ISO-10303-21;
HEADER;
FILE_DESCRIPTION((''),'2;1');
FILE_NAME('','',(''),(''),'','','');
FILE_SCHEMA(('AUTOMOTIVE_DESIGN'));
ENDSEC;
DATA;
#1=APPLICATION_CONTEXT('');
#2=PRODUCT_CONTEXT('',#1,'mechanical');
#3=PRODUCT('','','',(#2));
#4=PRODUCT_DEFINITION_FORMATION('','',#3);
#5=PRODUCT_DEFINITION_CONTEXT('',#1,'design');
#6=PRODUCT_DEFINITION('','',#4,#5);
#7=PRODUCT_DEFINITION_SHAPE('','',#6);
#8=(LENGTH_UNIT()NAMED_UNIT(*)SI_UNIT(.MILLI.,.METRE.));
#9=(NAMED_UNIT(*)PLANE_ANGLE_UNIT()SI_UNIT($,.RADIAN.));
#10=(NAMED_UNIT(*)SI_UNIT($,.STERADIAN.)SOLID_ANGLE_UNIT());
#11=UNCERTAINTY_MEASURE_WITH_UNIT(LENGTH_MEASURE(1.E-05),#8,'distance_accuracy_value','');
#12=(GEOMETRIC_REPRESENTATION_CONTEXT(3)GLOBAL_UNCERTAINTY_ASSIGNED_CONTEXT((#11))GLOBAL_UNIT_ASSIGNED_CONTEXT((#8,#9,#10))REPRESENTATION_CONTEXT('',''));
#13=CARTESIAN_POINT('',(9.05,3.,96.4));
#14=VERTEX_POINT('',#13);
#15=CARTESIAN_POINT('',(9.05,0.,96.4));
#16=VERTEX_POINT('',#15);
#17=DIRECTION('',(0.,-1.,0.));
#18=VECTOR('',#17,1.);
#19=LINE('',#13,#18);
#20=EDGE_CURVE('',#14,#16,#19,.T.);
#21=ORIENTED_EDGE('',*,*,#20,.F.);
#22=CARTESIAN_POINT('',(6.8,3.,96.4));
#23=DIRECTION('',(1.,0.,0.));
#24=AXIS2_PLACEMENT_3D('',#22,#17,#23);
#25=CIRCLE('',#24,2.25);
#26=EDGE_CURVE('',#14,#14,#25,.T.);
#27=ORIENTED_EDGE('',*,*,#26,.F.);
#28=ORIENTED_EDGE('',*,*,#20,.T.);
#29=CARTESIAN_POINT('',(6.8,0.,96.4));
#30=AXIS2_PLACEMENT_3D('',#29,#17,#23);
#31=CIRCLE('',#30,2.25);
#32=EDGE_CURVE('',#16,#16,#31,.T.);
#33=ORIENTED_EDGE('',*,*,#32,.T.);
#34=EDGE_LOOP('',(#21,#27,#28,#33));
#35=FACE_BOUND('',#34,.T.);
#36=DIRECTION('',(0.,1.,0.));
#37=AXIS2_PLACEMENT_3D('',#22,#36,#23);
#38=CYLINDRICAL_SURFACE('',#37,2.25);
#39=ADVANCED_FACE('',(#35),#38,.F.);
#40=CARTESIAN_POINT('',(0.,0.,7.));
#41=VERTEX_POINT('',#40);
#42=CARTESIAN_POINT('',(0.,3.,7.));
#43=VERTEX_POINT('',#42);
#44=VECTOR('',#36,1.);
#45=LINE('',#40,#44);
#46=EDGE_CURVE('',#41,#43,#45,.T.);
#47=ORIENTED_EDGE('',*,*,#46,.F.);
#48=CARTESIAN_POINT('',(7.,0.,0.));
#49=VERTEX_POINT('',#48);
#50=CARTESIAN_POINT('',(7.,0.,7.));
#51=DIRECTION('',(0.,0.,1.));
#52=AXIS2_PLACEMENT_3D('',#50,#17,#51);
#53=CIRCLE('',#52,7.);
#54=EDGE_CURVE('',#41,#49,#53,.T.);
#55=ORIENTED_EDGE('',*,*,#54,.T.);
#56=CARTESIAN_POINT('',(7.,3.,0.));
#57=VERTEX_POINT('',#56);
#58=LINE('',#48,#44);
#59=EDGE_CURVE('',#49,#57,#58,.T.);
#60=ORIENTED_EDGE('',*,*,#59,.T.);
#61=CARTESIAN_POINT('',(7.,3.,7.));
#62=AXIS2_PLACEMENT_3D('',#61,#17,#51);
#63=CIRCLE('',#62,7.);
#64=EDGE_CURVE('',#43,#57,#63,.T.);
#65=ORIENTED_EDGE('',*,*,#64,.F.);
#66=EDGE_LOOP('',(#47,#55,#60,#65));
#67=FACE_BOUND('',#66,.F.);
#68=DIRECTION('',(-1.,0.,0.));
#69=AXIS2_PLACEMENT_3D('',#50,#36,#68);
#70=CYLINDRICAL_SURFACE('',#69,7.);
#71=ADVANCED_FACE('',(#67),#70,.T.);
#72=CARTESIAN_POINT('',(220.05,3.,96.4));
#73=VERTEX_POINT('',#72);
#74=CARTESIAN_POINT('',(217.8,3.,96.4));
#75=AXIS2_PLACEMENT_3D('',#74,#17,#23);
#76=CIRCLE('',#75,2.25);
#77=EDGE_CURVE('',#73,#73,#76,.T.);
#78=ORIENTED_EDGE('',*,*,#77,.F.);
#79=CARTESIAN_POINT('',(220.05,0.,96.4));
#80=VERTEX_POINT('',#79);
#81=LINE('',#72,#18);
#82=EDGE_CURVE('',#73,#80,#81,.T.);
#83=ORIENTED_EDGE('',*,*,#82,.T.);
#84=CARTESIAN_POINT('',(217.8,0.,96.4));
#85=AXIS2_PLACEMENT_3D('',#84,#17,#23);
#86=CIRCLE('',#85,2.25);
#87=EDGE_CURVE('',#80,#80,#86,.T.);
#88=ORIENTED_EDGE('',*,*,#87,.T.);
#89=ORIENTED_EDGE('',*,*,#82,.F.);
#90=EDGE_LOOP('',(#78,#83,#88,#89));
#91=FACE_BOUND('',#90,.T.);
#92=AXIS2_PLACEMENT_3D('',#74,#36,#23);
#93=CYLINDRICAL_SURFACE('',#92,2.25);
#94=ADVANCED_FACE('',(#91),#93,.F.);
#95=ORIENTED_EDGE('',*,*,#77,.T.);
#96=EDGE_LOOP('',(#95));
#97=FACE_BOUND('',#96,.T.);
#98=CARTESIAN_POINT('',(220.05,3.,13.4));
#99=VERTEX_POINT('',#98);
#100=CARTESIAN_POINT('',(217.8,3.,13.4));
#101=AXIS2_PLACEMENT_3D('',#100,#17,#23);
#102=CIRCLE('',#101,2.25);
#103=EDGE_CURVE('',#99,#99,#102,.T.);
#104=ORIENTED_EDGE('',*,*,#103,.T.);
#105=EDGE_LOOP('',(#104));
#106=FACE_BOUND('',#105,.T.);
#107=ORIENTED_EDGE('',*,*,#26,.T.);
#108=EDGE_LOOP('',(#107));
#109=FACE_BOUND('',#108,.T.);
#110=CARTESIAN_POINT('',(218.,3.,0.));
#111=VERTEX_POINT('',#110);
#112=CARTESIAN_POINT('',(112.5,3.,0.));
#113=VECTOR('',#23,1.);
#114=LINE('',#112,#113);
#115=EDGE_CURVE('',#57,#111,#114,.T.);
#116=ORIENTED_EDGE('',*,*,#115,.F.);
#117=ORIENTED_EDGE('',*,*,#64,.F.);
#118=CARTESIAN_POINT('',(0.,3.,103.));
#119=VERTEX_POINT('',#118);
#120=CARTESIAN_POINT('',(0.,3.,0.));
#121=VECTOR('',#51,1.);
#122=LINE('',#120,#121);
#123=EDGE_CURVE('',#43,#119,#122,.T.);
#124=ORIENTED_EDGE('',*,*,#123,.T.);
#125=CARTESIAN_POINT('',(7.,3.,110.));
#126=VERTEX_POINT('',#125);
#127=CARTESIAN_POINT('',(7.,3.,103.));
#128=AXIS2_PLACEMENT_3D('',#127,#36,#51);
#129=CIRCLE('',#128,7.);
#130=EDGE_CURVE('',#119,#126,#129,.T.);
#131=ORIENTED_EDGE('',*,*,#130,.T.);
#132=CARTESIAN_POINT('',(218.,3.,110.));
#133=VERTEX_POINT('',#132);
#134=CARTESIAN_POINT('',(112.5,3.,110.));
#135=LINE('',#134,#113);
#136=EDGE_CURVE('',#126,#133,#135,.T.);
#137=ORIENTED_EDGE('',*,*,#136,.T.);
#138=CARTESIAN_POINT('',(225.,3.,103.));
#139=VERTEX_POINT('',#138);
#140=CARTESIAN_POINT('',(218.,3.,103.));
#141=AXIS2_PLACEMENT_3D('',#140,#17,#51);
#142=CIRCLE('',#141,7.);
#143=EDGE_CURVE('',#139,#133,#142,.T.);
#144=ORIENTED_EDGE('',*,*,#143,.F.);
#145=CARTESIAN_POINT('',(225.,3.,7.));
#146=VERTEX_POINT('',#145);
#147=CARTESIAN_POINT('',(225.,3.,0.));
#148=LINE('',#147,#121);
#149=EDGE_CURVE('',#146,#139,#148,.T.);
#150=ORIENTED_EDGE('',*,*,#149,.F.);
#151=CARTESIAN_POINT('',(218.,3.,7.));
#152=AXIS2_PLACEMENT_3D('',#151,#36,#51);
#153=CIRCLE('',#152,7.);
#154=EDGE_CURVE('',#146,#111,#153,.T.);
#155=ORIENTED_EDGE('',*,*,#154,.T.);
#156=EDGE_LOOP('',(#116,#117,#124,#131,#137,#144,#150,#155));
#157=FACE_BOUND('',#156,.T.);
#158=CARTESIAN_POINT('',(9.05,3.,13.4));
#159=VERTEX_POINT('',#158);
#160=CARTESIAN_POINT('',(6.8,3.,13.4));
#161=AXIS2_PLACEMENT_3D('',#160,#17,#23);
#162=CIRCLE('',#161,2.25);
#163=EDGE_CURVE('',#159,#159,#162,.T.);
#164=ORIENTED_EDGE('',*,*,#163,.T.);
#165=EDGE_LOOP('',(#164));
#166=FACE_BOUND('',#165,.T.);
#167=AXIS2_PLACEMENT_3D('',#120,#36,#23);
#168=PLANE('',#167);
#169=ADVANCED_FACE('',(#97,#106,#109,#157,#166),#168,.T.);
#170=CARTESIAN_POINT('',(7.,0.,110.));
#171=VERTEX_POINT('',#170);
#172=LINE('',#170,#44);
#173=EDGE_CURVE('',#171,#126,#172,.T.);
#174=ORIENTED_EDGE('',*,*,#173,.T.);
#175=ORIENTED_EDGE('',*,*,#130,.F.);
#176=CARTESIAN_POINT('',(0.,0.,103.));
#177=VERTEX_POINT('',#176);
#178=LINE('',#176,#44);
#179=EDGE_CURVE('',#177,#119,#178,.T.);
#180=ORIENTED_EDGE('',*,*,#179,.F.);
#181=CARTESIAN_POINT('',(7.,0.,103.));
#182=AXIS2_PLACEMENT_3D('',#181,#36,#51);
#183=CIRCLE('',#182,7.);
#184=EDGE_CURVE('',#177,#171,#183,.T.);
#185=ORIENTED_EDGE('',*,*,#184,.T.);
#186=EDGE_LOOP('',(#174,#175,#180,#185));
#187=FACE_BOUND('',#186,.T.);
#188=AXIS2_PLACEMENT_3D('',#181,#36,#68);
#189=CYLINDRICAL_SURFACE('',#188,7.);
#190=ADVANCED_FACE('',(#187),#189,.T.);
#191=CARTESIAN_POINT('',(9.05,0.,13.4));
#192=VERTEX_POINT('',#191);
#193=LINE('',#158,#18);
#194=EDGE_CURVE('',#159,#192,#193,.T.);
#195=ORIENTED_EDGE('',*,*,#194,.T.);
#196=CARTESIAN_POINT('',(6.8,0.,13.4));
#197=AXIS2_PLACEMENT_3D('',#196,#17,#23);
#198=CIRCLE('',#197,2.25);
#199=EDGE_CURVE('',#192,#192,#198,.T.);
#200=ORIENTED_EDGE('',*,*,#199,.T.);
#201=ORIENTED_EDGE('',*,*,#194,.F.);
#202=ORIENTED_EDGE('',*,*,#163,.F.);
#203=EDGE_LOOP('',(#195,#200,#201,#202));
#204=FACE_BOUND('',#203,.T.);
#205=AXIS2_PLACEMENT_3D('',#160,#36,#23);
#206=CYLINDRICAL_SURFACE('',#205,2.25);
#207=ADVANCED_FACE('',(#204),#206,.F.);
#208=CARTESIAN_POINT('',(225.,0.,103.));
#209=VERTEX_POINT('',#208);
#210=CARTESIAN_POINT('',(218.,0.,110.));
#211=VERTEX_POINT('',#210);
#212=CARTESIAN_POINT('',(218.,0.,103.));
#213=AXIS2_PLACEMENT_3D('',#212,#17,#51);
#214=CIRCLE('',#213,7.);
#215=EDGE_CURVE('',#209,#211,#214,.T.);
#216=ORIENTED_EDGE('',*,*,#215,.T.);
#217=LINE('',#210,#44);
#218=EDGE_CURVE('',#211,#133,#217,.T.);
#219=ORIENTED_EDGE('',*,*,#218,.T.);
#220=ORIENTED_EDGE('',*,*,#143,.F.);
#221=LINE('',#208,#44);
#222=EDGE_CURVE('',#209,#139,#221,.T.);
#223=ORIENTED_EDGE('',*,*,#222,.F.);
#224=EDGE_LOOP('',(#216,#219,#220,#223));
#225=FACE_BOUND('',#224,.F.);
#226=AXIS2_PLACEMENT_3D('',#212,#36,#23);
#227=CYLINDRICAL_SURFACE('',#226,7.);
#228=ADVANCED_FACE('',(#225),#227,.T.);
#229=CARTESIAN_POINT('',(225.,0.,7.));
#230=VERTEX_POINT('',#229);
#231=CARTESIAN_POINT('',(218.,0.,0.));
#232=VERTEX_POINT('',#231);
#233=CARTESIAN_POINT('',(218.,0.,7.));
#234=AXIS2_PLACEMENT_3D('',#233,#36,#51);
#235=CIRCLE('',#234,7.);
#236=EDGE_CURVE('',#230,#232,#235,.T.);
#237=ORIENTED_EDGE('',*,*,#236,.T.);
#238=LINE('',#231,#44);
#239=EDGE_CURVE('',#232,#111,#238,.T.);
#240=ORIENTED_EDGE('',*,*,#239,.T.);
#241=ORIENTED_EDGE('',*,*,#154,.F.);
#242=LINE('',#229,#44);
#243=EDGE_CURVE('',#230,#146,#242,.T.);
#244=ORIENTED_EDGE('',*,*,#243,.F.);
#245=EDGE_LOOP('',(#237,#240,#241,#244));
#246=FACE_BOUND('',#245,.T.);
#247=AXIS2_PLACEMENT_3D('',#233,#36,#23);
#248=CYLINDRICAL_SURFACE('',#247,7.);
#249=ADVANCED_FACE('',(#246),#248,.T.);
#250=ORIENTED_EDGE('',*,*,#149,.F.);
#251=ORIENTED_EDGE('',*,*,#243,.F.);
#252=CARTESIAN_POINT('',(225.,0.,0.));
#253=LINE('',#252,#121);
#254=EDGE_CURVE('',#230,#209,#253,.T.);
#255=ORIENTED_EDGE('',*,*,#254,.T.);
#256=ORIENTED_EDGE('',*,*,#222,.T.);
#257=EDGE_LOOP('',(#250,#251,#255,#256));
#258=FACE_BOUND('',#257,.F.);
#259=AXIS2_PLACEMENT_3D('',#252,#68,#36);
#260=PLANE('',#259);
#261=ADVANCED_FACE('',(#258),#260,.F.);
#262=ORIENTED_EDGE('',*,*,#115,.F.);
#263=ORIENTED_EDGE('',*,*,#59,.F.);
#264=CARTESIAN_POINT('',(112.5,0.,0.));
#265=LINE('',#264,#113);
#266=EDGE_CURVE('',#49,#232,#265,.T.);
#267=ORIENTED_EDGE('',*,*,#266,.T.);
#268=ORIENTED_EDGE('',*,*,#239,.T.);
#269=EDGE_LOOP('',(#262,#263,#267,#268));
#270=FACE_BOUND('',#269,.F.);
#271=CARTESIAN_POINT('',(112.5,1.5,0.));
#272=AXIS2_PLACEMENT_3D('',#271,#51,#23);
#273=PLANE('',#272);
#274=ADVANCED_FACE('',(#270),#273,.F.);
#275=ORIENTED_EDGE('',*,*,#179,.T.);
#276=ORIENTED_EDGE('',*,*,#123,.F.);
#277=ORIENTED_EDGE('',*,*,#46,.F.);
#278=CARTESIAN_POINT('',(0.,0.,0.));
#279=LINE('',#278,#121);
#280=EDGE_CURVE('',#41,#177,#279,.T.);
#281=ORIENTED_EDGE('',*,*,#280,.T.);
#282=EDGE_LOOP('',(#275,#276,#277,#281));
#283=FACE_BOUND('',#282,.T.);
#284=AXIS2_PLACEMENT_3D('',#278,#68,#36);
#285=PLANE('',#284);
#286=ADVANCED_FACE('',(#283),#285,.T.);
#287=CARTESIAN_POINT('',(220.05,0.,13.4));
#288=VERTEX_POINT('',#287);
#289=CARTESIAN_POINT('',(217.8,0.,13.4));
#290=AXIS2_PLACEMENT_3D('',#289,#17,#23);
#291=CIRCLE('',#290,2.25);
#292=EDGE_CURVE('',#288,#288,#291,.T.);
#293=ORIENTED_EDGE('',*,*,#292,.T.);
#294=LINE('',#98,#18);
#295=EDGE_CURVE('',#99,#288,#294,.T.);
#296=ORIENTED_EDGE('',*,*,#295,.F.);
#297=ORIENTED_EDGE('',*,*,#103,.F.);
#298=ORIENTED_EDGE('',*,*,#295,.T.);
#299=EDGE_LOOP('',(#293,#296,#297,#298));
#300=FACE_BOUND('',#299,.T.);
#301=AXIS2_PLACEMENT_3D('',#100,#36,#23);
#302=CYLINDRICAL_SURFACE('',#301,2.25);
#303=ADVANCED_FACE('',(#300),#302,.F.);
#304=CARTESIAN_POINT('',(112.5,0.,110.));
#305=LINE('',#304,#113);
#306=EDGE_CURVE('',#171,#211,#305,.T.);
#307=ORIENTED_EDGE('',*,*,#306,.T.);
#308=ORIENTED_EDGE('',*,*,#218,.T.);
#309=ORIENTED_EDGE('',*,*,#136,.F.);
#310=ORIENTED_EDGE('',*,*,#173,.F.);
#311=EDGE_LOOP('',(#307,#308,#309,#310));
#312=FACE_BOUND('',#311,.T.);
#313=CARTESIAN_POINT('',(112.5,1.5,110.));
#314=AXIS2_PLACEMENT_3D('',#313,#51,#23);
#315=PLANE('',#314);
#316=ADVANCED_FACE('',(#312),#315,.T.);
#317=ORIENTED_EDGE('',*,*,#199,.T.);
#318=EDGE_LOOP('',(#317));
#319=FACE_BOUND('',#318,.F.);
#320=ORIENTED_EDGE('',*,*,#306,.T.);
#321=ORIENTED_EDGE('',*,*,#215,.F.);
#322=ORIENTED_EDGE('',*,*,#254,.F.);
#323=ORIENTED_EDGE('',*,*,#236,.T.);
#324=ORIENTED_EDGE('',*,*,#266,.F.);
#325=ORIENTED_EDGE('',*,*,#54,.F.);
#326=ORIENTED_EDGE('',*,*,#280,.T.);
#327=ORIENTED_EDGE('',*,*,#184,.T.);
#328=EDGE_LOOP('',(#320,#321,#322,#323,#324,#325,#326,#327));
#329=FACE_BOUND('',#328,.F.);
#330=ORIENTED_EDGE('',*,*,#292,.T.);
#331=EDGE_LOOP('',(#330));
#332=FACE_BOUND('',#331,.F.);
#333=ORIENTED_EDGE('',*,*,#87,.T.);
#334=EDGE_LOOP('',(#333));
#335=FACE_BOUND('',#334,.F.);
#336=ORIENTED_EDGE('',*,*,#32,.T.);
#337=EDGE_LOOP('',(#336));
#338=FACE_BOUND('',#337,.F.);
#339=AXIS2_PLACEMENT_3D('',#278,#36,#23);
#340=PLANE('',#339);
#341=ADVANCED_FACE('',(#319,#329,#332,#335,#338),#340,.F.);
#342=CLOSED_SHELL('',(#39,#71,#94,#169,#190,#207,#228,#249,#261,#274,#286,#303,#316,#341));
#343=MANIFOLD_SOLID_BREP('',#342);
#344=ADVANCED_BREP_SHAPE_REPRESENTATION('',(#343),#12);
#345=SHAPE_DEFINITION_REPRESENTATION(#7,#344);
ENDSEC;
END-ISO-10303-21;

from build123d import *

# Parameters (mm, degrees)
CYLINDER007_R     = 2.25
CYLINDER007_DEPTH = 3
CYLINDER006_R     = 2.25
CYLINDER006_DEPTH = 3
CYLINDER005_R     = 2.25
CYLINDER005_DEPTH = 3
CYLINDER_R        = 2.25
CYLINDER_DEPTH    = 3
BOX_W             = 225
BOX_H             = 3
BOX_DEPTH         = 110
FILLET_R          = 7


with BuildPart() as cylinder007:
    # Cylinder007 → Cylinder007 (new body)
    with BuildSketch(Plane(origin=(217.8, -18, 13.4), x_dir=(1, 0, 0), z_dir=(0, -1, 0))):
        Circle(CYLINDER007_R)
    extrude(amount=CYLINDER007_DEPTH)


with BuildPart() as fusion005:
    # Cylinder006 → Cylinder006 (new body)
    with BuildSketch(Plane(origin=(217.8, -18, 96.4), x_dir=(1, 0, 0), z_dir=(0, -1, 0))):
        Circle(CYLINDER006_R)
    extrude(amount=CYLINDER006_DEPTH)

    # Fusion005: union Cylinder007
    add(cylinder007.part)


with BuildPart() as cylinder005:
    # Cylinder005 → Cylinder005 (new body)
    with BuildSketch(Plane(origin=(6.8, -18, 96.4), x_dir=(1, 0, 0), z_dir=(0, -1, 0))):
        Circle(CYLINDER005_R)
    extrude(amount=CYLINDER005_DEPTH)


with BuildPart() as screw_holes:
    # Cylinder → Cylinder (new body)
    with BuildSketch(Plane(origin=(6.8, -18, 13.4), x_dir=(1, 0, 0), z_dir=(0, -1, 0))):
        Circle(CYLINDER_R)
    extrude(amount=CYLINDER_DEPTH)

    # Fusion004: union Cylinder005
    add(cylinder005.part)

    # Fusion006: union Fusion005
    add(fusion005.part)


with BuildPart() as screw_holes_1:
    # Fusion006 placement: moved
    add(screw_holes.part.moved(Location((0, 21, 0))))


with BuildPart() as cut009:
    # Box → Box (new body)
    with BuildSketch(Plane.XY):
        with Locations((112.5, 1.5)):
            Rectangle(BOX_W, BOX_H)
    extrude(amount=BOX_DEPTH)

    # Fillet
    fillet_edges = [cut009.edges().sort_by_distance(p)[0] for p in [
        (0, 1.5, 110),
        (0, 1.5, 0),
        (225, 1.5, 110),
        (225, 1.5, 0),
    ]]
    fillet(fillet_edges, radius=FILLET_R)

    # Cut009: cut Screw Holes
    add(screw_holes_1.part, mode=Mode.SUBTRACT)


solid = cut009.part
